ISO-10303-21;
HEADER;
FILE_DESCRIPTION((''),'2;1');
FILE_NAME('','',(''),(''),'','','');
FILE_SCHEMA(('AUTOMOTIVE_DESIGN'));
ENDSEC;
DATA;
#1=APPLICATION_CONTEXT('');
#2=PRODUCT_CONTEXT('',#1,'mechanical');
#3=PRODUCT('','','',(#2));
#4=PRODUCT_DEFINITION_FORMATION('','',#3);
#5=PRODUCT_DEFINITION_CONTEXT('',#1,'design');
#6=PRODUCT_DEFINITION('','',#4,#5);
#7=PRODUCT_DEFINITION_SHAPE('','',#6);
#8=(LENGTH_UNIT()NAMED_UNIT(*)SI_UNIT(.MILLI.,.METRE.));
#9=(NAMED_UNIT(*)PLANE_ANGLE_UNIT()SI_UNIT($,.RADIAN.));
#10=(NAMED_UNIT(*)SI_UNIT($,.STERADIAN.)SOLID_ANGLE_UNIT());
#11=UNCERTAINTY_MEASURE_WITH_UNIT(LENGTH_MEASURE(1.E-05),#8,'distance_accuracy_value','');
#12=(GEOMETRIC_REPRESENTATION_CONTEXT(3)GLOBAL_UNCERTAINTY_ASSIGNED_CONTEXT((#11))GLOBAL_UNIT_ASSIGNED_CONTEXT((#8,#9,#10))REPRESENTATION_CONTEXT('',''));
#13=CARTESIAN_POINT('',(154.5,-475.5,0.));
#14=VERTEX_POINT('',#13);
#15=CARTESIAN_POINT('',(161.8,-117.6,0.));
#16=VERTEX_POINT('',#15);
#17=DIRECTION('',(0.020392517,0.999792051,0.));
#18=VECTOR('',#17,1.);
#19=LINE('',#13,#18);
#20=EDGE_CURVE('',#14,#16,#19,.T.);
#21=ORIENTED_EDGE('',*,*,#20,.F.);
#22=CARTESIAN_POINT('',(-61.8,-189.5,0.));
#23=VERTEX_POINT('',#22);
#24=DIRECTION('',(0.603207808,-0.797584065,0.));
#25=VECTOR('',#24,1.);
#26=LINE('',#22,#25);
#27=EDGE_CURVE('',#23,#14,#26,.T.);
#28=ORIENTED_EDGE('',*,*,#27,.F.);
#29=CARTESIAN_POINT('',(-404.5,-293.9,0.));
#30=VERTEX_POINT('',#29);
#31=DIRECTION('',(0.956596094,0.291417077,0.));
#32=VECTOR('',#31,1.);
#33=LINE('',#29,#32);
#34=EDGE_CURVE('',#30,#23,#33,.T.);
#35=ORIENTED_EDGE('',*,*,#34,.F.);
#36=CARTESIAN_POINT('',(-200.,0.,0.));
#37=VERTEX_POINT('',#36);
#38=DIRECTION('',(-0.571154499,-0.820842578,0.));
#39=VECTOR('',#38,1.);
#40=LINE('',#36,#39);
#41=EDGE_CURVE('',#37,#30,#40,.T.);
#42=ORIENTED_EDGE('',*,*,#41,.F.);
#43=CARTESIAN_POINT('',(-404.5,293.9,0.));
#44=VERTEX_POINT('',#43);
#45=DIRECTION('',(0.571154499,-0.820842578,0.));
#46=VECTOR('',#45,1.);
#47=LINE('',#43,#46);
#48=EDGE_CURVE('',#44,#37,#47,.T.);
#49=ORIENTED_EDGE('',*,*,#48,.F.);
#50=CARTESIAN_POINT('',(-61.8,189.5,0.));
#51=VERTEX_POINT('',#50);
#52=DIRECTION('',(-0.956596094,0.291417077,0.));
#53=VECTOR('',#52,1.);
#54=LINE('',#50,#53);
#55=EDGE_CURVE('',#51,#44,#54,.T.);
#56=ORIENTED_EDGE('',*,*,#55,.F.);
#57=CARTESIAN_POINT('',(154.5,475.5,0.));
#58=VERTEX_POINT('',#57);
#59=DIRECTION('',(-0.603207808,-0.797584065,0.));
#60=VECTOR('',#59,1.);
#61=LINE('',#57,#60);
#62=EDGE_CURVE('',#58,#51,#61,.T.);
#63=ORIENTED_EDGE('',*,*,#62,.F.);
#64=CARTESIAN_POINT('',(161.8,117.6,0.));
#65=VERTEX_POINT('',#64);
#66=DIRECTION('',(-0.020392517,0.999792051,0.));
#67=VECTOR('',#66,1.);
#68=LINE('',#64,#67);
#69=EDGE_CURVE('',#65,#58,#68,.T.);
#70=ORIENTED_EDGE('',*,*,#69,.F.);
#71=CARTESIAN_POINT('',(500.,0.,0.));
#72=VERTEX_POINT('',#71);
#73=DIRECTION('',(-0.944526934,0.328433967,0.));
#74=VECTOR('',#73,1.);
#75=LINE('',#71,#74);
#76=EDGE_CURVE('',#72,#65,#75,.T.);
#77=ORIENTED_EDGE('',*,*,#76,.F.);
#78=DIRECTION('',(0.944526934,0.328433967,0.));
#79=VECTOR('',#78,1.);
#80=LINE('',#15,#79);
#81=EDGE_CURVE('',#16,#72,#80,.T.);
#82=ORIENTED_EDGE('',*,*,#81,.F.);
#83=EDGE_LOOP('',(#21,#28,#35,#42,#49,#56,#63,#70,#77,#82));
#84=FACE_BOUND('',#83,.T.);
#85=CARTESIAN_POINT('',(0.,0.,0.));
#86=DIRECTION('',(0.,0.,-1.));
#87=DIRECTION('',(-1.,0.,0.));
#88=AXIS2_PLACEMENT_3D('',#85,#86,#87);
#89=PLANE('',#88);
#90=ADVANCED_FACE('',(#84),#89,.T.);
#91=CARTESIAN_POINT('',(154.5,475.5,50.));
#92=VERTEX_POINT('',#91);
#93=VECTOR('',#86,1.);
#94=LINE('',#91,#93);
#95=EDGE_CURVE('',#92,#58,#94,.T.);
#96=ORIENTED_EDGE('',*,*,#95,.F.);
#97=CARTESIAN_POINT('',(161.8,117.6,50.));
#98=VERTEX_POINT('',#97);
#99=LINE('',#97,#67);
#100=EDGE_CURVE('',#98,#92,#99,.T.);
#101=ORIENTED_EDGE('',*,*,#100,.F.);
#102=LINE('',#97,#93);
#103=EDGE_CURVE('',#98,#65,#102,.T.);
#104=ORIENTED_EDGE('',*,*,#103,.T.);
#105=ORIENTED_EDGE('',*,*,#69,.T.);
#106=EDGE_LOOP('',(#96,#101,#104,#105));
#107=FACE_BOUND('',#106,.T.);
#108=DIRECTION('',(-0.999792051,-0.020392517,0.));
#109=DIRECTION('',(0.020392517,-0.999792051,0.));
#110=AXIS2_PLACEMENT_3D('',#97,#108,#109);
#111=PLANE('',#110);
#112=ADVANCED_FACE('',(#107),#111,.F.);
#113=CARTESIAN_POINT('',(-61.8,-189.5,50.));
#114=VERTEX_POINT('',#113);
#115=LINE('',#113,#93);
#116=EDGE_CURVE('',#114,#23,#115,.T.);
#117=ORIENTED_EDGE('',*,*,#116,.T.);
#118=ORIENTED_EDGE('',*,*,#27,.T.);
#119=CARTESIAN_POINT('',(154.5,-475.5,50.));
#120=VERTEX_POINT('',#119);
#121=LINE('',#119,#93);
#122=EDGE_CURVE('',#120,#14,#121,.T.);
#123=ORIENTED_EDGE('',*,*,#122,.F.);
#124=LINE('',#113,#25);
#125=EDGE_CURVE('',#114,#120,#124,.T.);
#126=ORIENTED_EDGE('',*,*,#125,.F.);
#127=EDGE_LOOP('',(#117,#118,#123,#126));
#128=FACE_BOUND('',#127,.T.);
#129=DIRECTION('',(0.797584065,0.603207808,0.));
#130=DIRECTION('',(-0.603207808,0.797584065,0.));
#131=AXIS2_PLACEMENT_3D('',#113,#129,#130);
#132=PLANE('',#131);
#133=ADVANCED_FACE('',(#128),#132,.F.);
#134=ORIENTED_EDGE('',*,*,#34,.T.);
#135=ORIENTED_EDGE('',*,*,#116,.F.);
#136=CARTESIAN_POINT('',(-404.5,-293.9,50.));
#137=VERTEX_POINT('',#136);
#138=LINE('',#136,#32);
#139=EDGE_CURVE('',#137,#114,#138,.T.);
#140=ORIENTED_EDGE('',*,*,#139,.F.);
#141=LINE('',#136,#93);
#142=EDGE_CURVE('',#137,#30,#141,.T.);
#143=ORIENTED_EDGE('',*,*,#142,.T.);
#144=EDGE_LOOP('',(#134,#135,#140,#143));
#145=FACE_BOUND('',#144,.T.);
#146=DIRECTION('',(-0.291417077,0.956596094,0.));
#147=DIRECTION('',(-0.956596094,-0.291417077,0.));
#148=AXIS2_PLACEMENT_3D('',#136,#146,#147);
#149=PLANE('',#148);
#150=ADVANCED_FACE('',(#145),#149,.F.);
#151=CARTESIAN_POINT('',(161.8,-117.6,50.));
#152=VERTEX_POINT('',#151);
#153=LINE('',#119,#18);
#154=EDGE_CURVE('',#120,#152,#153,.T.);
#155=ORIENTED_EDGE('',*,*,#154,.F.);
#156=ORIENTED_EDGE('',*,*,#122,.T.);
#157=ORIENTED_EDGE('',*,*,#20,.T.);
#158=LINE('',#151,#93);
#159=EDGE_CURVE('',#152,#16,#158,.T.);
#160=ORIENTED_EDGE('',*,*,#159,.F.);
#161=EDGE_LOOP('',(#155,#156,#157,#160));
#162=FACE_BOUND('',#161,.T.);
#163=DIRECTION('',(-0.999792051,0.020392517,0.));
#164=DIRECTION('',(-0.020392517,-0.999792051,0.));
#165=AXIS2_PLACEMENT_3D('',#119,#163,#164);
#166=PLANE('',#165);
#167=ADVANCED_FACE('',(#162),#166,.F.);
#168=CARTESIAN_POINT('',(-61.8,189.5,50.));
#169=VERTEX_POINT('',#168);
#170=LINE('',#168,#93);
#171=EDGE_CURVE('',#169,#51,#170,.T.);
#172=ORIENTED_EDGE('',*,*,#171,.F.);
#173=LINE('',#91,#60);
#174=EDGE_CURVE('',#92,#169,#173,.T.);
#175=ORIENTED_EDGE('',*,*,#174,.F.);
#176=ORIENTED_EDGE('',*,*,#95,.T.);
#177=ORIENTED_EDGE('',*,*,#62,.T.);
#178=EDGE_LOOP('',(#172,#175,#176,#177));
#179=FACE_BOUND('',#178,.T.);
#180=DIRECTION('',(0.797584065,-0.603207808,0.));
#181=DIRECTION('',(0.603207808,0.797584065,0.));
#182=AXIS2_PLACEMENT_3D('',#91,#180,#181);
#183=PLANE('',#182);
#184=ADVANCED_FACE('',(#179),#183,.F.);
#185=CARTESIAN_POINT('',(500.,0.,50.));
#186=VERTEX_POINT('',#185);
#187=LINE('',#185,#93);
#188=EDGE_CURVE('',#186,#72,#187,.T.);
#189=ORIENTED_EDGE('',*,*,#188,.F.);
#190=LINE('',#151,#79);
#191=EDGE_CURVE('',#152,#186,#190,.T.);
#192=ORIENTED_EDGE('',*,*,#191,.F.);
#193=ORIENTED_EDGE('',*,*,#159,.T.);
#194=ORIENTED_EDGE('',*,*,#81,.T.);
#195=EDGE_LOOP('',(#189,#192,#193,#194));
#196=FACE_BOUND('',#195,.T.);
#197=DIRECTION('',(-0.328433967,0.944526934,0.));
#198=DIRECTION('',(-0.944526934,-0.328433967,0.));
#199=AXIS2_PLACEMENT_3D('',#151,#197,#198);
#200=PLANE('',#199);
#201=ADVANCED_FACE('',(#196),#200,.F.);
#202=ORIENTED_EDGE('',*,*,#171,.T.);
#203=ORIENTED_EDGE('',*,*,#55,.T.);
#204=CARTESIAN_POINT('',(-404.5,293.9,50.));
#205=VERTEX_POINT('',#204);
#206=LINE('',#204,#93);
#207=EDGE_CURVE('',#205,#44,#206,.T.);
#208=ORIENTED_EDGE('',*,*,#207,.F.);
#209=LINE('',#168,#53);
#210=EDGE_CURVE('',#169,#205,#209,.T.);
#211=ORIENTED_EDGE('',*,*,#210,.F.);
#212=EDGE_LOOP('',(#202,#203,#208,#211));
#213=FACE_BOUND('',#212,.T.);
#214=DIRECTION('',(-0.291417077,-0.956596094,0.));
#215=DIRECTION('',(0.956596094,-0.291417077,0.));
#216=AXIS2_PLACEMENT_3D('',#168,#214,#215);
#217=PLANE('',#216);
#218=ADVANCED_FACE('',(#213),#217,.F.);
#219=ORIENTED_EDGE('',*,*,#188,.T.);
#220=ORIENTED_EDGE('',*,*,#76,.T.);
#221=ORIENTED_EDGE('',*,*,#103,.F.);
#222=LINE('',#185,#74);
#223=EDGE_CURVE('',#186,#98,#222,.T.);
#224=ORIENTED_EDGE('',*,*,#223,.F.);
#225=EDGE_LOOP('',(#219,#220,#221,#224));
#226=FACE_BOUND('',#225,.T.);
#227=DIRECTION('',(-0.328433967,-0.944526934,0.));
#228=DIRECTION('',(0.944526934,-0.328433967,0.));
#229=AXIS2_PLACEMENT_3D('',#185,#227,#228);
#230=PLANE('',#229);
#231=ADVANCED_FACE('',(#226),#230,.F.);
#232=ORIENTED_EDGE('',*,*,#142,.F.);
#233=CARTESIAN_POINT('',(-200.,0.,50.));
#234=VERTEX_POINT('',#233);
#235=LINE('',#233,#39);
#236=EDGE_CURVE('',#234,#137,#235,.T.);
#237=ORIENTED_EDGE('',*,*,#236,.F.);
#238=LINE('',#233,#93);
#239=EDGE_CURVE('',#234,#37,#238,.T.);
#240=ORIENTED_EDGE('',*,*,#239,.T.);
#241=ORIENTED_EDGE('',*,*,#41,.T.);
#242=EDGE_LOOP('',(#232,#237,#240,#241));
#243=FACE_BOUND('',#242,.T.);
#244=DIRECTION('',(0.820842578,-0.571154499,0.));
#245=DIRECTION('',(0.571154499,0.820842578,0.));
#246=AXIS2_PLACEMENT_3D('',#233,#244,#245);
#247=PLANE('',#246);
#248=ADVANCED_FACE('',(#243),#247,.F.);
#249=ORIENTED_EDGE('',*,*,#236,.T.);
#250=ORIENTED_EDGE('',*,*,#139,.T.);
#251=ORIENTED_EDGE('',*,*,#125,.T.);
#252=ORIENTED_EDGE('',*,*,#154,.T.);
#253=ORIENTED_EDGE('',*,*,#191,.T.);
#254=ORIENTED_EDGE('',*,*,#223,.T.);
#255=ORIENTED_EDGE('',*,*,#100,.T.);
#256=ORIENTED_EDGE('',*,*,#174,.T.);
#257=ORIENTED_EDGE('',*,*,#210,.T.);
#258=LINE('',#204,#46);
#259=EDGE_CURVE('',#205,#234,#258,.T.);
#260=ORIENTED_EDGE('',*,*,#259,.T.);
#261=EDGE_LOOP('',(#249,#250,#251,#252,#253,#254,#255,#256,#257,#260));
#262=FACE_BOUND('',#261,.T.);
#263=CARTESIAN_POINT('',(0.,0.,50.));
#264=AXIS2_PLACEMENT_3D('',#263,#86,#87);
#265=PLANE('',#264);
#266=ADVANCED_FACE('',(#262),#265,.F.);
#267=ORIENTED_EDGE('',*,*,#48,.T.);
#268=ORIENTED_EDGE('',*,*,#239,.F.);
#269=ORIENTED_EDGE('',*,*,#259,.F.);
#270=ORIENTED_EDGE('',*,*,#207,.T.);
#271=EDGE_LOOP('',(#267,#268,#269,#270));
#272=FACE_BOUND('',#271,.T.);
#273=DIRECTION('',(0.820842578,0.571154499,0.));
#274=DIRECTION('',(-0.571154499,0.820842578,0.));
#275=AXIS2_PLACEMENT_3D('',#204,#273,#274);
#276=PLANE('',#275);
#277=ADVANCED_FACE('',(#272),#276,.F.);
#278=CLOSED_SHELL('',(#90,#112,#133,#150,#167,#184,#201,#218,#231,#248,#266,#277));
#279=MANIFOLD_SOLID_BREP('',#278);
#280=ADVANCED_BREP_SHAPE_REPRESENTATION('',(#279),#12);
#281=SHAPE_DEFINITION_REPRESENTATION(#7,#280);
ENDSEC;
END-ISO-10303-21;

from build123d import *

# Parameters (mm, degrees)
EXTRUDE_1_DEPTH = 50


with BuildPart() as part:
    # 草图1 → 凸台-拉伸1 (new body)
    with BuildSketch(Plane.XY):
        Polygon((500, 0), (161.8, 117.6), (154.5, 475.5), (-61.8, 189.5), (-404.5, 293.9), (-200, 0), (-404.5, -293.9), (-61.8, -189.5), (154.5, -475.5), (161.8, -117.6), align=None)
    extrude(amount=EXTRUDE_1_DEPTH)


solid = part.part
